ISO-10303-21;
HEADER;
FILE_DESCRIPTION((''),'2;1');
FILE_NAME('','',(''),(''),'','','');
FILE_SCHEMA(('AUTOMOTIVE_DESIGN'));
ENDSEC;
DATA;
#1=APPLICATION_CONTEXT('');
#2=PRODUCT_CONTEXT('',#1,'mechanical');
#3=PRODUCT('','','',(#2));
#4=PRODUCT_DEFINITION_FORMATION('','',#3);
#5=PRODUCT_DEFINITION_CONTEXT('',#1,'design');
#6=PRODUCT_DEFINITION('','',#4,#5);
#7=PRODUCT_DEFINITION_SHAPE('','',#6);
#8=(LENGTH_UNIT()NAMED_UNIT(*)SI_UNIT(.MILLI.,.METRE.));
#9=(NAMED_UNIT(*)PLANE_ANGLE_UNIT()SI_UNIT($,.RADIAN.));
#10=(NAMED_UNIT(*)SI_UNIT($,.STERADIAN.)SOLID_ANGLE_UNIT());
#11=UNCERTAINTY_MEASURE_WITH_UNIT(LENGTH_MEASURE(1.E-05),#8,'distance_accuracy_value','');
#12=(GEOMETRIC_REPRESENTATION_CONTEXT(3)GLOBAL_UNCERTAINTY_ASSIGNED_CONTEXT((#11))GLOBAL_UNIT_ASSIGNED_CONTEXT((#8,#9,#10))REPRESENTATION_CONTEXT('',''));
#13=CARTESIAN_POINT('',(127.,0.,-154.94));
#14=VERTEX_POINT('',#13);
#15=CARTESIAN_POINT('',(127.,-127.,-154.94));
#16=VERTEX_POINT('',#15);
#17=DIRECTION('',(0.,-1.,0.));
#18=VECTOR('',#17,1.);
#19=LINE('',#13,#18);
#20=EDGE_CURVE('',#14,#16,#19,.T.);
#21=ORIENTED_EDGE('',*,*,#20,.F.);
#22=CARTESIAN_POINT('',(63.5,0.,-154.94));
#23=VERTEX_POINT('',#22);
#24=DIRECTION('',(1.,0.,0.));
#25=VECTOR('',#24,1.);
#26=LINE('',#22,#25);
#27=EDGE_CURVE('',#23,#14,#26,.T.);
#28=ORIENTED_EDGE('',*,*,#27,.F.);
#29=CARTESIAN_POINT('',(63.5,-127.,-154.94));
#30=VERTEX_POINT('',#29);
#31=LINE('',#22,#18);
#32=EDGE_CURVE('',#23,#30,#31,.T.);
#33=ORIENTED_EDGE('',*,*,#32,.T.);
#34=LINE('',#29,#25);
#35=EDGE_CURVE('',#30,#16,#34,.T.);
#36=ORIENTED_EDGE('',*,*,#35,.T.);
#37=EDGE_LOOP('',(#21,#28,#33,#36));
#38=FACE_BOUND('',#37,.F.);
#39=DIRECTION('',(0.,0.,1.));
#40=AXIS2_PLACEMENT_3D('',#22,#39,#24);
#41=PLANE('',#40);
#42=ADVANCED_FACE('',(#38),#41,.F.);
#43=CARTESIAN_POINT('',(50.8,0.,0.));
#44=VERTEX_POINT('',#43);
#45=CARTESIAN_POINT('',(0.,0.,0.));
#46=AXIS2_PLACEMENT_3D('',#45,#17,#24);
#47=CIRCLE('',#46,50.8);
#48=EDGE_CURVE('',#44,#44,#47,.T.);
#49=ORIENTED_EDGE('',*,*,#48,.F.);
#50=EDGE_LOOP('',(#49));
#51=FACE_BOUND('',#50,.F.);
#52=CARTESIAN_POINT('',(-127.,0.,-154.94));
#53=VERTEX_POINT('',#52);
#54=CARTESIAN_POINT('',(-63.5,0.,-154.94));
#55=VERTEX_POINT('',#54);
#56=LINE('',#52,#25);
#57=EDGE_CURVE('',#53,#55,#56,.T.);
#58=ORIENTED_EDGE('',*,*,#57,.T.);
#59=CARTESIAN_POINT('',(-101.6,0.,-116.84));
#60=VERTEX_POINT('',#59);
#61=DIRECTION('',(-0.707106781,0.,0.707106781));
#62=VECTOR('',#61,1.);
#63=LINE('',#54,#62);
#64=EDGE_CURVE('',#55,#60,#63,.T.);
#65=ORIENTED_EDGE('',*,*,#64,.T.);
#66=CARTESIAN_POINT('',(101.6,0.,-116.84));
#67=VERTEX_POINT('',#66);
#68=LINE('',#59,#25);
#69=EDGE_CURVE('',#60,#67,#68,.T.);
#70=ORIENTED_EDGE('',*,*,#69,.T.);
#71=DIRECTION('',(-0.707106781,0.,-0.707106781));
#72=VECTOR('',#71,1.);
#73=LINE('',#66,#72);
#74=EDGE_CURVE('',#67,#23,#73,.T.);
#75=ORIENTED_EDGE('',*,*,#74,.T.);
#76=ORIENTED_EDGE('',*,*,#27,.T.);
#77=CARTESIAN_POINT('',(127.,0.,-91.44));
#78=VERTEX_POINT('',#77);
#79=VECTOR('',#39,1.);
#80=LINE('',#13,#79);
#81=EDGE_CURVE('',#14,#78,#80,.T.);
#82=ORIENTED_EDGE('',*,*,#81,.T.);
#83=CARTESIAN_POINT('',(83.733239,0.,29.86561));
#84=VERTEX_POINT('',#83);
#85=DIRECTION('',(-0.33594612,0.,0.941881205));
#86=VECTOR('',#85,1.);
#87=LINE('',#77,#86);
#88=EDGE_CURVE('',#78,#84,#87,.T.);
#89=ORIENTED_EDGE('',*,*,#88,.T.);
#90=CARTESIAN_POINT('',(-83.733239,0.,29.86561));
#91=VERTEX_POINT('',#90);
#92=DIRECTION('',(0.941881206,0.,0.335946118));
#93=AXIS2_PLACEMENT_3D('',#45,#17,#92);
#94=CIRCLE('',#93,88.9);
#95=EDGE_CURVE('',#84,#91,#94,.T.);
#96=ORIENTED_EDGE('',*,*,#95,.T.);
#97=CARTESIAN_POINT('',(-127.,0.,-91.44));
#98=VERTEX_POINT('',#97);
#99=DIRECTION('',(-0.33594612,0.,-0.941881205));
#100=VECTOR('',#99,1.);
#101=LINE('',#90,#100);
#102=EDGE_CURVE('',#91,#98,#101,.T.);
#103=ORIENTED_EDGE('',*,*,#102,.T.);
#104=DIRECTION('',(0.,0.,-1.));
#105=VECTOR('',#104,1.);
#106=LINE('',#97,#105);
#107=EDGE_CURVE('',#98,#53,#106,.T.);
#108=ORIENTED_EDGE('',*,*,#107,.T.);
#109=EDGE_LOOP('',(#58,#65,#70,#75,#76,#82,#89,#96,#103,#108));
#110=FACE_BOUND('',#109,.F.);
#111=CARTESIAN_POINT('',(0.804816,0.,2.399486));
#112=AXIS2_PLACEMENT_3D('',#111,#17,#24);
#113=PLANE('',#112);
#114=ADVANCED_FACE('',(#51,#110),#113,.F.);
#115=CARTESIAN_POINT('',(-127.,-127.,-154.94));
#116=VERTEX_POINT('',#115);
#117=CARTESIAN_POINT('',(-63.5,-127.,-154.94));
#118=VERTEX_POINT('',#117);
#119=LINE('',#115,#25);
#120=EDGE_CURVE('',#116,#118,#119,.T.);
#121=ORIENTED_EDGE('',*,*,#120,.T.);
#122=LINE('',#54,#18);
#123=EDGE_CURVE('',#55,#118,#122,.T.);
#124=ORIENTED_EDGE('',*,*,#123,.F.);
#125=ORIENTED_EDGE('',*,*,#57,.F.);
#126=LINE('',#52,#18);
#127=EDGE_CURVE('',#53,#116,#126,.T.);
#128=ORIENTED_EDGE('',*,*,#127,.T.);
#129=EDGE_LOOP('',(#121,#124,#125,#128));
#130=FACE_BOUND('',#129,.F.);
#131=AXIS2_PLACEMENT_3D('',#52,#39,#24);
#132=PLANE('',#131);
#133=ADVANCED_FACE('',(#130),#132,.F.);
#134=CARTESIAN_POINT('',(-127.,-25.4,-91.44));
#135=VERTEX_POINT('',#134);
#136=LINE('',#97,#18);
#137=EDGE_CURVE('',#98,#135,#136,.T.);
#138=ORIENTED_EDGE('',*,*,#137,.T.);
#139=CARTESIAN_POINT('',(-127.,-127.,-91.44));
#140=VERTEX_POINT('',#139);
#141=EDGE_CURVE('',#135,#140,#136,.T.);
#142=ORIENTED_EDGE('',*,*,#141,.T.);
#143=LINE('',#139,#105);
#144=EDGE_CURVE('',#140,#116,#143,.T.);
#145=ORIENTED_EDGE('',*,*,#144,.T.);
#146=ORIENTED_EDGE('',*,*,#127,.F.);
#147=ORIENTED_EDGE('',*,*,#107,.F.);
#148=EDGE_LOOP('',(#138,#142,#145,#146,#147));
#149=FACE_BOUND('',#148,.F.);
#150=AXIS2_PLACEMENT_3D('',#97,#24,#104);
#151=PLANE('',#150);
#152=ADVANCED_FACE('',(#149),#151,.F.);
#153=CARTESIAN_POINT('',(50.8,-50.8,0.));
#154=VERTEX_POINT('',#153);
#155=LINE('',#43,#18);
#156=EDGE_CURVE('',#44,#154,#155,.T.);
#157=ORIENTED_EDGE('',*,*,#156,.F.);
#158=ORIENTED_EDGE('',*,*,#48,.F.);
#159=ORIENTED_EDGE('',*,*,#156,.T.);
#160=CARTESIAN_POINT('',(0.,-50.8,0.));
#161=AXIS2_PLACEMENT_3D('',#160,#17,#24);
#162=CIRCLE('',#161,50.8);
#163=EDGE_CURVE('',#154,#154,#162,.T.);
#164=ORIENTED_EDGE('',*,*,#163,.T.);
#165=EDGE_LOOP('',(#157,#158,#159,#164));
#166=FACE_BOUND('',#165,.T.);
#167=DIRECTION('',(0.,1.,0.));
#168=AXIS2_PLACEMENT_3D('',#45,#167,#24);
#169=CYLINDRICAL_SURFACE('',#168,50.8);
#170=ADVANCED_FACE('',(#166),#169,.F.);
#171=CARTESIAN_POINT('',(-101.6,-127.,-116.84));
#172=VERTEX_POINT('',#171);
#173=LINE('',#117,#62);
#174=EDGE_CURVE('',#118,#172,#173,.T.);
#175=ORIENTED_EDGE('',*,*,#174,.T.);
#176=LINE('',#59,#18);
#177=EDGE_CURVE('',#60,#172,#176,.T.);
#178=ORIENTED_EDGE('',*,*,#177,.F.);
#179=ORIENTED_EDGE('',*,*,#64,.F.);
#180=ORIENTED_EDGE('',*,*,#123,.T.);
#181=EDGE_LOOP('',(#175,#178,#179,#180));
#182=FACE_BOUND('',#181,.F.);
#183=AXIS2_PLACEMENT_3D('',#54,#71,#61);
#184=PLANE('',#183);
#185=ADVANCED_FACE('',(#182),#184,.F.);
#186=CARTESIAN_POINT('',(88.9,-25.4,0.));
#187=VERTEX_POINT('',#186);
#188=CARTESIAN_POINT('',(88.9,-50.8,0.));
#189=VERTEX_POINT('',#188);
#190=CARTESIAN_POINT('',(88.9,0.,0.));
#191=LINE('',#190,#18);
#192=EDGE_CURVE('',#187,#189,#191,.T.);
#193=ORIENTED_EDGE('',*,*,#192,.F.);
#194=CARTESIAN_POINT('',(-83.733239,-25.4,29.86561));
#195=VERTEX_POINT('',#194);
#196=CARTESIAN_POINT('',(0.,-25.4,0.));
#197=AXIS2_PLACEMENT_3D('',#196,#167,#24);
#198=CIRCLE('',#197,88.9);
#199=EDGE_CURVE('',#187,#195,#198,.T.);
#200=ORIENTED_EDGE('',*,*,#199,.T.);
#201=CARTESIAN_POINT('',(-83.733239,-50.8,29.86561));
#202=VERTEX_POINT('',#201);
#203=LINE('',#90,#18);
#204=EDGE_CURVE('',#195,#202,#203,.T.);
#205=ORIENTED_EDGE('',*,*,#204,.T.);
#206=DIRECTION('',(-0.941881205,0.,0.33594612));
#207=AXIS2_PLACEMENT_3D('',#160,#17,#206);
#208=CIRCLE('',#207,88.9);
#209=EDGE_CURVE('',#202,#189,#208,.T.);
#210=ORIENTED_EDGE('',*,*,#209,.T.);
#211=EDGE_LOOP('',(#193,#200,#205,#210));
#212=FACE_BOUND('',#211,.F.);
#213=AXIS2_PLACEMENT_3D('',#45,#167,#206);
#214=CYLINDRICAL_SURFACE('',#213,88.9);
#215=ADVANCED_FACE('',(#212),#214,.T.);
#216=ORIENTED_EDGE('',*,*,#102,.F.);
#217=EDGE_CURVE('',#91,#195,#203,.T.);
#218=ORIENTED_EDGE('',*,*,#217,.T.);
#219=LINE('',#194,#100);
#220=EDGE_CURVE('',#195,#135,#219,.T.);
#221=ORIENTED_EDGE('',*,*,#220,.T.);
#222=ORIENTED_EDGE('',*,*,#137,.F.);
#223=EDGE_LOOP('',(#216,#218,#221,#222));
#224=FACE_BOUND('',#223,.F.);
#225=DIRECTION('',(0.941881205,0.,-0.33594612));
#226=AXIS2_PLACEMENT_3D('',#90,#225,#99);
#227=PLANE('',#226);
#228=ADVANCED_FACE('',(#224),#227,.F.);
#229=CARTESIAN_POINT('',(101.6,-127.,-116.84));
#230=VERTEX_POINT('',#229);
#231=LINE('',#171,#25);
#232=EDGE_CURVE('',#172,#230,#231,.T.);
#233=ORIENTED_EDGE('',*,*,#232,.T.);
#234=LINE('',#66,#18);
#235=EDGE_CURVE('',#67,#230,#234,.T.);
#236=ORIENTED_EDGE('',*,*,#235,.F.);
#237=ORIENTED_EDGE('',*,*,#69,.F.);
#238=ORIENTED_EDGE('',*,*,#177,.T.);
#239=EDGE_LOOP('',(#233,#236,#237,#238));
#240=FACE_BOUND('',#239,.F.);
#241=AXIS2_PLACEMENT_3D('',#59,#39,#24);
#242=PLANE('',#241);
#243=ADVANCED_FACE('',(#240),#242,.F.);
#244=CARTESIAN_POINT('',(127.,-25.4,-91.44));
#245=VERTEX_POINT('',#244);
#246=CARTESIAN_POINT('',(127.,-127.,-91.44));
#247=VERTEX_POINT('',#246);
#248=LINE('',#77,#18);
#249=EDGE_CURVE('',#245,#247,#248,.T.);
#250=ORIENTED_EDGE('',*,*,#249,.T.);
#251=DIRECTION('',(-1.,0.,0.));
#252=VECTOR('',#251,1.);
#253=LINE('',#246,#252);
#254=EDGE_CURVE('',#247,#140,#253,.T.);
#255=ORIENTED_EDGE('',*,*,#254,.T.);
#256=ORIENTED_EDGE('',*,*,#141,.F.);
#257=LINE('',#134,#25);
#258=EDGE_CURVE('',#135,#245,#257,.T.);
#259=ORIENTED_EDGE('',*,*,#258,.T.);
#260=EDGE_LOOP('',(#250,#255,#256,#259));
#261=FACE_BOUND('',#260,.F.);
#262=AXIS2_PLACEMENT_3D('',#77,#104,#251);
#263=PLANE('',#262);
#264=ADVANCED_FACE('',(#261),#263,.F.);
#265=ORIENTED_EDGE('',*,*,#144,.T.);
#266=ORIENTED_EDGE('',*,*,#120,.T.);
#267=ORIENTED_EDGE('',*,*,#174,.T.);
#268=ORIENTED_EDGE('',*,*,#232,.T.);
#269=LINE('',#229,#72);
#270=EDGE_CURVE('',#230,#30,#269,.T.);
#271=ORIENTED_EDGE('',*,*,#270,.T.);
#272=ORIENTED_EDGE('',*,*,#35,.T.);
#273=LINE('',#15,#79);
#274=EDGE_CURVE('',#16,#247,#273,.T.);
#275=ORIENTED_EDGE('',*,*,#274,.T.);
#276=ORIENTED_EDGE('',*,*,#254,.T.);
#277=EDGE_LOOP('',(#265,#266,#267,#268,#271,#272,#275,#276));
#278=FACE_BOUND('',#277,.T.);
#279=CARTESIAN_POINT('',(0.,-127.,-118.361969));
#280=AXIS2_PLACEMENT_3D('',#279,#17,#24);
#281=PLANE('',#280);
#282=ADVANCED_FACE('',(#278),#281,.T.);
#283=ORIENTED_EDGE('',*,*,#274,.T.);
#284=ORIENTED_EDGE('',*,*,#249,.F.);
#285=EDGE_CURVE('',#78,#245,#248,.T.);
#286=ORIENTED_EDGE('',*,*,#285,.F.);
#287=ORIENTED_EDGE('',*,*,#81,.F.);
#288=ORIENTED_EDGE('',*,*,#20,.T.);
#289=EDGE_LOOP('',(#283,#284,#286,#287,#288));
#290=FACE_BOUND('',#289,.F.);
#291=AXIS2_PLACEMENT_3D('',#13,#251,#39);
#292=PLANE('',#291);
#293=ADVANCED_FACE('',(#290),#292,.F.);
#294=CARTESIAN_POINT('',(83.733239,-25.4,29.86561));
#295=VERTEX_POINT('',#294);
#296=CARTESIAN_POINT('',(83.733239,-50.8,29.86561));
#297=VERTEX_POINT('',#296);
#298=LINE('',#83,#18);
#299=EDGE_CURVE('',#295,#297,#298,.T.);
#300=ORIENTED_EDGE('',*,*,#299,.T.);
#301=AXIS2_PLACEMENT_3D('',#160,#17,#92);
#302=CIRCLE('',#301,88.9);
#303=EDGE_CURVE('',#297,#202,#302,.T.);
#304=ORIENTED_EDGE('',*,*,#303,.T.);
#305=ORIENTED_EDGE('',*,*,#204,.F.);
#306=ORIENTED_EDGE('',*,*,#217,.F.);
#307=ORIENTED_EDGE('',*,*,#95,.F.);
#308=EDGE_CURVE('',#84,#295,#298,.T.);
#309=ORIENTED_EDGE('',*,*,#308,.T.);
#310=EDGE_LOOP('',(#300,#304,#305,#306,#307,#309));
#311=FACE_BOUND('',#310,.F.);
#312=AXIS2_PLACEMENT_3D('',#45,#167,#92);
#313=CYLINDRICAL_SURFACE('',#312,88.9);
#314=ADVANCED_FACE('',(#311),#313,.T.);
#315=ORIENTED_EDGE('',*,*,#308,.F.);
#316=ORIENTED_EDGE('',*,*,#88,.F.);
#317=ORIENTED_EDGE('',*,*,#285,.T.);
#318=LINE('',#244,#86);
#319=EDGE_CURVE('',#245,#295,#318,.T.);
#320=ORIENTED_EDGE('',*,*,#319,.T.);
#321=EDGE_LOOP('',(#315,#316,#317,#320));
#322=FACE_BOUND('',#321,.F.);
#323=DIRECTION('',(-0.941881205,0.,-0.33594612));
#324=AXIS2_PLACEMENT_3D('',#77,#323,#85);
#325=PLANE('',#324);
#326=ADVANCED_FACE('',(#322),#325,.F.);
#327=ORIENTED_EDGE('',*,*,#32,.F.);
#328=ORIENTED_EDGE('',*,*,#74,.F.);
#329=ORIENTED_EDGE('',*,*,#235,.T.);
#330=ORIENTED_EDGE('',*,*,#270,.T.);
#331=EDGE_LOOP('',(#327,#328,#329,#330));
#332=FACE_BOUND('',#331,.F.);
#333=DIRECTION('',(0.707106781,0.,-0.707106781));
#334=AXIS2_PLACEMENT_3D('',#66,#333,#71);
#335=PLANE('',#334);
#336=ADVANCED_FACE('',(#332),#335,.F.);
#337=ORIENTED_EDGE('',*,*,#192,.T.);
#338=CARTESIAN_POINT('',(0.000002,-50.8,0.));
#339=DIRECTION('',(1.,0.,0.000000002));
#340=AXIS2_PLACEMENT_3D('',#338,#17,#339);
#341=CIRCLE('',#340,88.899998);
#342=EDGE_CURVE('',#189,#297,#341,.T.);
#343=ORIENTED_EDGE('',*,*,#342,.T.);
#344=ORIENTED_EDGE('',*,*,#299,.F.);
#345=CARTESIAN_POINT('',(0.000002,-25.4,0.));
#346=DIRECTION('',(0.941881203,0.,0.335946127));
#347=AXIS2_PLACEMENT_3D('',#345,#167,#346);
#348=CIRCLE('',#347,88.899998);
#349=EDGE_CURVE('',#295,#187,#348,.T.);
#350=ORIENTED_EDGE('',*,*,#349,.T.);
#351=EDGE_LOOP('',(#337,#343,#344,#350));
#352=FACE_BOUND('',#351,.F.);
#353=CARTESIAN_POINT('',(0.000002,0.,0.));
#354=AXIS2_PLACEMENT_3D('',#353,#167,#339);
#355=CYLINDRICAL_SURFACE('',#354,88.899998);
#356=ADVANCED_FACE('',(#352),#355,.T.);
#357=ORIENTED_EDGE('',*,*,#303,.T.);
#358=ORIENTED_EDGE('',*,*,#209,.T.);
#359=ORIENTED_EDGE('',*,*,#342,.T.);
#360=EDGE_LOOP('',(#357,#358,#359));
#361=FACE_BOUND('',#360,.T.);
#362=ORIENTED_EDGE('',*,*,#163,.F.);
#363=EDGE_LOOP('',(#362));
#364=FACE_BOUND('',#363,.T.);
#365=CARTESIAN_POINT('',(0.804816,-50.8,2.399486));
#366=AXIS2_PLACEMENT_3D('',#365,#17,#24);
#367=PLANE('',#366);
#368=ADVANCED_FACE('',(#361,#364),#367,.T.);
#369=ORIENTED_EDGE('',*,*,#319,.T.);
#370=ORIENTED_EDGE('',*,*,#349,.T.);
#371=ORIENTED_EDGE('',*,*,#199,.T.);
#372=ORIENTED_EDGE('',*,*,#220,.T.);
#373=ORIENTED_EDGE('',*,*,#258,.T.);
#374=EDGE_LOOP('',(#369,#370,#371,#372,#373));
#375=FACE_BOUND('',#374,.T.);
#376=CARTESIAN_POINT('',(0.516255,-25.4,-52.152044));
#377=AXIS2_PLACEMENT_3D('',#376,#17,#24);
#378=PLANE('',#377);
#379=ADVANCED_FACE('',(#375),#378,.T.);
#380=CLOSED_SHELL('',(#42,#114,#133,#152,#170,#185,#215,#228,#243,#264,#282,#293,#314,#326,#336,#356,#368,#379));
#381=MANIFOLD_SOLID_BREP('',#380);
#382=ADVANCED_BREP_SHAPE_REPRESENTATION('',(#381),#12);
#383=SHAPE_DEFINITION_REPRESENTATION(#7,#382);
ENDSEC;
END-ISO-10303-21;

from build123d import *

# Parameters (mm, degrees)
F1_DEPTH = 127
F2_DEPTH = 25.4
F0_R     = 50.8
F3_DEPTH = 50.8


with BuildPart() as f1:
    # F0 (on Front) → F1 (new body)
    with BuildSketch(Plane.XZ):
        Polygon((127, -154.94), (127, -91.44), (-127, -91.44), (-127, -154.94), (-63.5, -154.94), (-101.6, -116.84), (101.6, -116.84), (63.5, -154.94), align=None)
    extrude(amount=F1_DEPTH)

    # F0 (on Front) → F2 (join)
    with BuildSketch(Plane.XZ):
        with BuildLine():
            ThreePointArc((83.733239, 29.86561), (87.598787, 15.15462), (88.9, 0))
            ThreePointArc((88.9, 0), (-15.15462, -87.598787), (-83.733239, 29.86561))
            Line((-83.733239, 29.86561), (-127, -91.44))
            Line((-127, -91.44), (127, -91.44))
            Line((127, -91.44), (83.733239, 29.86561))
        make_face()
    extrude(amount=F2_DEPTH)

    # F0 (on Front) → F3 (join)
    with BuildSketch(Plane.XZ):
        with BuildLine():
            ThreePointArc((-83.733239, 29.86561), (-15.15462, -87.598787), (88.9, 0))
            ThreePointArc((88.9, 0), (87.598787, 15.15462), (83.733239, 29.86561))
            ThreePointArc((83.733239, 29.86561), (0, 88.9), (-83.733239, 29.86561))
        make_face()
        Circle(F0_R, mode=Mode.SUBTRACT)
    extrude(amount=F3_DEPTH)


solid = f1.part
